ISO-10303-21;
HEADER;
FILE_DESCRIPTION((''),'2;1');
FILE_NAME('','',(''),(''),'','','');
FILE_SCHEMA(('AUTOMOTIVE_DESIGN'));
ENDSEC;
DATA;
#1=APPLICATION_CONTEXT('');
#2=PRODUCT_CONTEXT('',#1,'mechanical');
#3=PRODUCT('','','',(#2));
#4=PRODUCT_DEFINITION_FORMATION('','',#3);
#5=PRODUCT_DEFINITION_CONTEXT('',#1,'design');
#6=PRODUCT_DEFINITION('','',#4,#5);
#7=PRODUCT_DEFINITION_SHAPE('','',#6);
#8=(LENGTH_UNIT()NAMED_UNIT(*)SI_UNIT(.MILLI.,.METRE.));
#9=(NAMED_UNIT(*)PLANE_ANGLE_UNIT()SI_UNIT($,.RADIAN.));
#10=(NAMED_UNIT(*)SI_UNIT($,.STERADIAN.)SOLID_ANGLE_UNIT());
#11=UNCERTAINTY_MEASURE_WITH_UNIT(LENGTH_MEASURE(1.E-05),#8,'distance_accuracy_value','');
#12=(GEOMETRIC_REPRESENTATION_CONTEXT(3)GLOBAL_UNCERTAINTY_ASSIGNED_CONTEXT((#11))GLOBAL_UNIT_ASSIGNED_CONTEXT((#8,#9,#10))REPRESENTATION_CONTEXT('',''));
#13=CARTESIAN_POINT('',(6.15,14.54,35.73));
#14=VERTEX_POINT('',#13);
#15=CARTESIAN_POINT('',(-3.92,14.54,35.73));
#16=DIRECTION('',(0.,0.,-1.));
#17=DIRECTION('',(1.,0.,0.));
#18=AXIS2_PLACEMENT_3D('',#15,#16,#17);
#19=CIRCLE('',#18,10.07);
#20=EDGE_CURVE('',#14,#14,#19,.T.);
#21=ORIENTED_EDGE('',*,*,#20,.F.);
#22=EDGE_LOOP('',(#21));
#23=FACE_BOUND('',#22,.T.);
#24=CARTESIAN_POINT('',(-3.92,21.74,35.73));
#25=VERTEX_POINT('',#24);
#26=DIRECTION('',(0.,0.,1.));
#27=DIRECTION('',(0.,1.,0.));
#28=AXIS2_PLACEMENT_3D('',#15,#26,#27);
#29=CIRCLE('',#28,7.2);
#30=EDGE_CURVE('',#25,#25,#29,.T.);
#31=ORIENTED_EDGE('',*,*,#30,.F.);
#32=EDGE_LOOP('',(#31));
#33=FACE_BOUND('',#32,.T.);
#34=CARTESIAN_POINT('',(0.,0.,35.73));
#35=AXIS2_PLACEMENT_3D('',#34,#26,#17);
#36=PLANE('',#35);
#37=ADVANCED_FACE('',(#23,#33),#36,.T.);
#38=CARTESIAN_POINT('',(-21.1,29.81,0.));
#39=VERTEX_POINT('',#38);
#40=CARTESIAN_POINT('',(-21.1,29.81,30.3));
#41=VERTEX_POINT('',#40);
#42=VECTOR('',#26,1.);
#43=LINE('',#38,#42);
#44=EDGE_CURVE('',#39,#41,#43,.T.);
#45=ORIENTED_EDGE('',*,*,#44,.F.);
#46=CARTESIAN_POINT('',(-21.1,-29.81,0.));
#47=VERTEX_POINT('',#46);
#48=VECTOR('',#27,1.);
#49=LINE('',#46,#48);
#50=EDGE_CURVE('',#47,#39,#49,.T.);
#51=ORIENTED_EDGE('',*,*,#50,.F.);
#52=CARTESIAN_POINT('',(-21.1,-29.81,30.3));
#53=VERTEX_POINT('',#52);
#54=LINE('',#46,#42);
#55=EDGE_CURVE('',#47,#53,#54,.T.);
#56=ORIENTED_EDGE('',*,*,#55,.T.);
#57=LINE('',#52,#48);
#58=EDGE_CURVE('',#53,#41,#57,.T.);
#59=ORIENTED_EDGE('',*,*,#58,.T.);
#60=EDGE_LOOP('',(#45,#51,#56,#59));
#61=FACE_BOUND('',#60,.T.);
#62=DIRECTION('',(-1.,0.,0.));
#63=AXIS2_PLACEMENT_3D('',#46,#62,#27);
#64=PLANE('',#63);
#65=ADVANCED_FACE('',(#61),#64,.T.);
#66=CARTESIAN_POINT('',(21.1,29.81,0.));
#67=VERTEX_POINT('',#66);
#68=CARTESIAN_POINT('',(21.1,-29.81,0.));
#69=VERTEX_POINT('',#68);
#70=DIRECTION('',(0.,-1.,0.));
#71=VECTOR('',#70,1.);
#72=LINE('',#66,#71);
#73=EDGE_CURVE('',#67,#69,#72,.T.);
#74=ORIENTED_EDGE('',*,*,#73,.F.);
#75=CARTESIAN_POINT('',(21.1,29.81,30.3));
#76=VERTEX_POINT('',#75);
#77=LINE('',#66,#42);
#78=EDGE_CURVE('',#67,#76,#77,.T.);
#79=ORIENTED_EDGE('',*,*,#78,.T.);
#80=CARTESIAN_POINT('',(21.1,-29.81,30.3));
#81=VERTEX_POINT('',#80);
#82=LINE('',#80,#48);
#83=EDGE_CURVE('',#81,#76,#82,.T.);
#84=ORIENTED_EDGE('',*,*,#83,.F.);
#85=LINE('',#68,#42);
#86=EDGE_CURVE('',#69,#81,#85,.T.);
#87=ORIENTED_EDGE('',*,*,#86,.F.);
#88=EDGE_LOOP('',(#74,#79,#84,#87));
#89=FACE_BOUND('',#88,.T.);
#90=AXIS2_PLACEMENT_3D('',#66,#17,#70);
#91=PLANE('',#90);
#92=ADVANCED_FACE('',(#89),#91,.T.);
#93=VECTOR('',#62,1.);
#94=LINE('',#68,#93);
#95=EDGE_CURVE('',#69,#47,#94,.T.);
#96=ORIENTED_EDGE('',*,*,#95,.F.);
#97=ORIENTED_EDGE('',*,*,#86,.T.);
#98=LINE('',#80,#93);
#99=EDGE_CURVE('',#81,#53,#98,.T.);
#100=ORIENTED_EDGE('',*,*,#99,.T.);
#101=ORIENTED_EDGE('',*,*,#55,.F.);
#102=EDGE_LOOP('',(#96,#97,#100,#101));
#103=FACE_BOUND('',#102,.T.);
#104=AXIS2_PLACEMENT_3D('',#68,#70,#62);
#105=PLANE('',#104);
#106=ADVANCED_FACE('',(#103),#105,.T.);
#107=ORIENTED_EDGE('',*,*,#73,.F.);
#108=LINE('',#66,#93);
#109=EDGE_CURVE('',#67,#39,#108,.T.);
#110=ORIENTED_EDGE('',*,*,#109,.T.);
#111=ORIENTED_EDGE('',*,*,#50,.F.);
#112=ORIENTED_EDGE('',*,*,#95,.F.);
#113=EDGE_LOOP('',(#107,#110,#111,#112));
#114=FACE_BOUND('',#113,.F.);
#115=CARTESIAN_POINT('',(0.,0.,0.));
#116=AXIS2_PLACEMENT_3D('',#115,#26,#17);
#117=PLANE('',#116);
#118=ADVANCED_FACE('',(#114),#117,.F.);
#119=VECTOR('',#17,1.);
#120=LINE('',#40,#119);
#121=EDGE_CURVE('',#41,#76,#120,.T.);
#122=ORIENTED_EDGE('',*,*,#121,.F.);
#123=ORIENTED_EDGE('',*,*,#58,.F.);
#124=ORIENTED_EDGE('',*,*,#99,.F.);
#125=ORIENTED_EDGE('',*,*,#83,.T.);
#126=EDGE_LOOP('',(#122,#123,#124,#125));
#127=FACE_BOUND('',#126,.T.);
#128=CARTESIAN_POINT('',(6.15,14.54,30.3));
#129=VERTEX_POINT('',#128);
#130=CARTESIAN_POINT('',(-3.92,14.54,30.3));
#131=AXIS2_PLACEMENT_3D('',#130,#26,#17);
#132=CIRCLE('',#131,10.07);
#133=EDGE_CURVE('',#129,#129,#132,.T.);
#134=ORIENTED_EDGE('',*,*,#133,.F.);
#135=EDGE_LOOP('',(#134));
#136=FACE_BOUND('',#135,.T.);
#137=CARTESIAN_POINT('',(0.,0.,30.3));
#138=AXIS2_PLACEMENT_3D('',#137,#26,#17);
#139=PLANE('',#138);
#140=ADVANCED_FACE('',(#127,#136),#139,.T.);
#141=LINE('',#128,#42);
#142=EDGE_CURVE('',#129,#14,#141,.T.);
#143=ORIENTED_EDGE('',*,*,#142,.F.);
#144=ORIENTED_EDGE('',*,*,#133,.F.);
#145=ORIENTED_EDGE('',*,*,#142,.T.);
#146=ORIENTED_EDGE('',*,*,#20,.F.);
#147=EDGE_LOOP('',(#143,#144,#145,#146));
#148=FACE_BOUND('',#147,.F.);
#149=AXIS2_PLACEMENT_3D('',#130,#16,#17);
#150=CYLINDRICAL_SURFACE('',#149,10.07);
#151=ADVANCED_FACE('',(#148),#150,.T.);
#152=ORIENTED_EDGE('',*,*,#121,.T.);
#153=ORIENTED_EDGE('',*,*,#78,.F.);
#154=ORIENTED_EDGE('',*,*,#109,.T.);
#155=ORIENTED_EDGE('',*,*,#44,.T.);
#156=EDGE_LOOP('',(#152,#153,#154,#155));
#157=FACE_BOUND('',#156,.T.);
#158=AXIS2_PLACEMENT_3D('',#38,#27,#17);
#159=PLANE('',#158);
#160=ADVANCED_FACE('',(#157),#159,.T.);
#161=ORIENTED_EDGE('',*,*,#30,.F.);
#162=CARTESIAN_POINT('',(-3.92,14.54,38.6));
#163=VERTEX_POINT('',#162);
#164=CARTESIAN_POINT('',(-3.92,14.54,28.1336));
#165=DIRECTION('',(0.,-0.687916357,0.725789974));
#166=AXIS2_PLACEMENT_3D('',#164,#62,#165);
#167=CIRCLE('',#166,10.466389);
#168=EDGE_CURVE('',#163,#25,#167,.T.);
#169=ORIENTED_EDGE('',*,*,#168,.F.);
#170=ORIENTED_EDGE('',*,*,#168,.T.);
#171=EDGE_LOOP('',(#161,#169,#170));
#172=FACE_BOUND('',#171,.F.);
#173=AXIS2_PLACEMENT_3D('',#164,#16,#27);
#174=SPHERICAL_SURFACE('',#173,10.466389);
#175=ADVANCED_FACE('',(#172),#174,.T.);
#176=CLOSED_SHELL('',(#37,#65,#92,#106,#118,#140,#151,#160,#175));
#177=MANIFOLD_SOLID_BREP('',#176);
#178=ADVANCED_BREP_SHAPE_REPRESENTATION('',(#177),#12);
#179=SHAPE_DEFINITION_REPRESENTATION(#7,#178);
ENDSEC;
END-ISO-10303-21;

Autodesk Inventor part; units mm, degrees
ref_plane "YZ Plane" through (0, 0, 0) normal (1, 0, 0) x (0, 1, 0)
ref_plane "XZ Plane" through (0, 0, 0) normal (0, 1, 0) x (-1, 0, 0)
sketch "Sketch1" plane through (0, 0, 0) normal (0, 0, 1) x (1, 0, 0)
  line L0 (-21.1, 29.81) -> (21.1, 29.81)
  line L1 (21.1, 29.81) -> (21.1, -29.81)
  line L2 (21.1, -29.81) -> (-21.1, -29.81)
  line L3 (-21.1, -29.81) -> (-21.1, 29.81)
  line L4 (0, 0) -> (0, 68.2086)
  line L5 (0, 0) -> (53.7664, 0)
  dimension "d0" = 59.62
  dimension "d1" = 42.2
extrude "Extrusion1" add sketch "Sketch1" along normal blind 30.3
ref_plane "Work Plane1" through (-3.92, -29.81, 0) normal (-1, 0, 0) x (0, 0, 1)
sketch "Sketch3" plane through (-3.92, -29.81, 0) normal (-1, 0, 0) x (0, 0, 1)
  line L0 (0, 59.62) -> (30.3, 59.62) projected
  line L1 (30.3, 59.62) -> (30.3, 0) projected
  line L2 (30.3, 44.35) -> (38.03, 44.35)
  line L3 (39.0073, 54.42) -> (18.3537, 54.42)
  arc A0 (30.3, 34.28) -> (30.3, 54.42) centre (27.6058, 44.35) ccw
  point P0 (0, 29.81)
  dimension "d8" = 7.73
  dimension "d9" = 15.27
  dimension "d10" = 5.2
  dimension "d11" = 20.14
revolve "Revolution1" add sketch "Sketch3" angle 360 about axis through (-3.92, 14.54, 30.3) along (0, 0, 1) picked at (31.0054, 37.9107) contours L2 A0 L1
sketch "Sketch6" plane through (0, 0, 30.3) normal (0, 0, 1) x (1, 0, 0)
  circle A0 centre (-3.92, 14.54) radius 10.07 projected
  circle A1 centre (-3.92, 14.54) radius 10.07
  point P0 (0, 0)
extrude "Extrusion4" add sketch "Sketch6" along normal blind 5.43
sketch "Sketch7" plane through (21.1, -29.81, 0) normal (1, 0, 0) x (0, 0, -1)
  line L0 (-35.73, 34.28) -> (-35.73, 54.42) projected
  line L1 (-35.73, 54.42) -> (-46.1148, 54.42)
  line L2 (-46.1148, 54.42) -> (-46.1148, 34.28)
  line L3 (-46.1148, 34.28) -> (-35.73, 34.28)
  line L4 (-35.73, 34.28) -> (-35.73, 54.42)
  point P0 (0, 29.81)
extrude "Extrusion5" cut sketch "Sketch7" against normal blind 400
sketch "Sketch8" plane through (-3.92, -29.81, 0) normal (-1, 0, 0) x (0, 0, 1)
  line L0 (35.73, 54.42) -> (35.73, 34.28) projected
  line L1 (35.73, 44.35) -> (38.6, 44.35)
  line L2 (31.2686, 37.15) -> (43.7794, 37.15)
  line L3 (30.3, 34.28) -> (35.73, 34.28) projected
  line L4 (31.2686, 51.55) -> (47.0475, 51.55)
  line L5 (30.3, 54.42) -> (35.73, 54.42) projected
  arc A0 (35.73, 37.15) -> (35.73, 51.55) centre (28.1336, 44.35) ccw
  point P0 (0, 29.81)
  dimension "d27" = 2.87
  dimension "d28" = 2.87
  dimension "d29" = 2.87
revolve "Revolution2" add sketch "Sketch8" angle 360 about axis through (-3.92, 14.54, 35.73) along (0, 0, 1) picked at (36.137, 48.6296) contours A0 L1 L0
sketch "Sketch9" plane through (-3.92, -29.81, 0) normal (-1, 0, 0) x (0, 0, 1)
  line L0 (35.73, 54.42) -> (35.73, 34.28) projected
  line L1 (30.3, 54.42) -> (30.3, 34.28) projected
  line L2 (35.73, 51.55) -> (35.73, 37.15) projected
  line L3 (31.5731, 44.35) -> (78.5809, 125.77)
  line L4 (31.5731, 44.35) -> (78.5809, -37.07)
  line L5 (30.3, 44.35) -> (31.5731, 44.35) construction
  point P0 (0, 29.81)
  point P1 (38.6, 44.35)
  dimension "d31" = 120
sketch "Sketch10" plane through (0, 0, 30.3) normal (0, 0, 1) x (1, 0, 0)
  circle A0 centre (-3.92, 14.54) radius 10.07 projected
  line L0 (21.1, 29.81) -> (21.1, -29.81) projected
  line L1 (-21.1, 29.81) -> (21.1, 29.81) projected
  line L2 (-21.1, -29.81) -> (-21.1, 29.81) projected
  line L3 (21.1, -29.81) -> (-21.1, -29.81) projected
  point P0 (0, 0)
properties part number "Camera" material "PVC-Piping"
